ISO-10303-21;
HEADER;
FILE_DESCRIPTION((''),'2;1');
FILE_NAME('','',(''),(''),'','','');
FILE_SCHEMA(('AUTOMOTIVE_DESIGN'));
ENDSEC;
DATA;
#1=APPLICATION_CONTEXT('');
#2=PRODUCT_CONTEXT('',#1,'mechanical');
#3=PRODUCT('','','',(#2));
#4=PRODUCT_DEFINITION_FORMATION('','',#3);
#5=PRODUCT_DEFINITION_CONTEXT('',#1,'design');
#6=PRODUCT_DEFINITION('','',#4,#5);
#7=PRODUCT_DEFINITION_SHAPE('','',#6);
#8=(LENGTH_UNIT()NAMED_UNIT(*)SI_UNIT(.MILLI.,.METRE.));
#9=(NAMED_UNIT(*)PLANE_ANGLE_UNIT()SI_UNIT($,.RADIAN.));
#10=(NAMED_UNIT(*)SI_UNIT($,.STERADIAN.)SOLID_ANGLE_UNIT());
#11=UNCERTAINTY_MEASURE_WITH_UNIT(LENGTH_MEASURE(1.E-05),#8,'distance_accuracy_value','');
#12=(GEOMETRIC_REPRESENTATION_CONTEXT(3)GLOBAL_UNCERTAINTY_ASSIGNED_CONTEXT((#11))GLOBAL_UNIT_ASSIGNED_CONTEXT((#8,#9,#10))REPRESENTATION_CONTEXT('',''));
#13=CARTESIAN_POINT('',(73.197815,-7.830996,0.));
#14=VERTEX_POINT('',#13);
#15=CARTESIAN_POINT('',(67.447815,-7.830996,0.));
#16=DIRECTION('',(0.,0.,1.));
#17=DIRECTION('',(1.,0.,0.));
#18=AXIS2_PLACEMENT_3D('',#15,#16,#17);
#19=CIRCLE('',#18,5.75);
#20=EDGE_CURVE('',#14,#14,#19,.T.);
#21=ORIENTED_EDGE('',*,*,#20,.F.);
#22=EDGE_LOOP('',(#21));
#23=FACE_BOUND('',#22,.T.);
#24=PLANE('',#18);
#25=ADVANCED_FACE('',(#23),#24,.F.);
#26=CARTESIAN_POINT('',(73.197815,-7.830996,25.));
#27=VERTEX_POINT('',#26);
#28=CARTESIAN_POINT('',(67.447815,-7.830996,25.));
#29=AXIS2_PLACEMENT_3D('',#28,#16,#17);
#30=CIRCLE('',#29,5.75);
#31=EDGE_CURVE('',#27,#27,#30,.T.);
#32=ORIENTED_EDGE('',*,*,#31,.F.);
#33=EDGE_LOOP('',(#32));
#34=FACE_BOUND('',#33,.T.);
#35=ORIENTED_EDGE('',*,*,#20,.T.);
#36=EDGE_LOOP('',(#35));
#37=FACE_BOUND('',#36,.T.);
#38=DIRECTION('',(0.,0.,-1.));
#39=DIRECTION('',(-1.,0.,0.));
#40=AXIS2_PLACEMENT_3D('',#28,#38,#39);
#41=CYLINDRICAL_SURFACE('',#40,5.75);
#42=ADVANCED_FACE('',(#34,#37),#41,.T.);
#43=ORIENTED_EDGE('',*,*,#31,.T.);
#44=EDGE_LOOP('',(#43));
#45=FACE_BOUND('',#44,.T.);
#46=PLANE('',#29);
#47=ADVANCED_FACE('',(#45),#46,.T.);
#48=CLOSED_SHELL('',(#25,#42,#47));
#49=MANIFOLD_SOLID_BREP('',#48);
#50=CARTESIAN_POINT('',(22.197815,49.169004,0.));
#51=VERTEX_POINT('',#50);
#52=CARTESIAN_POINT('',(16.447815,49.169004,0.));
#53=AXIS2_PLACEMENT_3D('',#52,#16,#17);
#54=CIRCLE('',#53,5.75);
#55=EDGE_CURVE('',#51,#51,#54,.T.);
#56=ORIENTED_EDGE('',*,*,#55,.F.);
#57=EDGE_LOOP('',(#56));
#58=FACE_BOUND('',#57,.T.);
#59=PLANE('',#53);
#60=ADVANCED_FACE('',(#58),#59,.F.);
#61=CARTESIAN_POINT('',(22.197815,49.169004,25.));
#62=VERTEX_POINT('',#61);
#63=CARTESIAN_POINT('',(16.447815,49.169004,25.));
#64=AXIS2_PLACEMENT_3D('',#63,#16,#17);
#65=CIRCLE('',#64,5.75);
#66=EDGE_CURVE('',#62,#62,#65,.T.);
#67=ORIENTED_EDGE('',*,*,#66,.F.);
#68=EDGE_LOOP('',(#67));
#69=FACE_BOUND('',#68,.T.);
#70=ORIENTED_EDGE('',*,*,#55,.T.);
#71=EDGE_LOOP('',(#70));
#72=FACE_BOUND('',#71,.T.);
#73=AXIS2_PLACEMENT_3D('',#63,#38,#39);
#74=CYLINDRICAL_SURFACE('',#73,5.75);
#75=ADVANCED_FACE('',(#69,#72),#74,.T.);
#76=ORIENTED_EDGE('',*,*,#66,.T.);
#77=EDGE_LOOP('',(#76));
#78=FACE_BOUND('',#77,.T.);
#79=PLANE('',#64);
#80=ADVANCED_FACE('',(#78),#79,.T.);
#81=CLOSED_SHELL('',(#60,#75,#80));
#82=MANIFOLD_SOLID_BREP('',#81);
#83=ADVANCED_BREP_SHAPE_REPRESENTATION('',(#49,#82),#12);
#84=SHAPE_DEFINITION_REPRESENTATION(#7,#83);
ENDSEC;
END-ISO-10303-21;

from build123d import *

# Parameters (mm, degrees)
SKETCH_1_R        = 5.75
EXTRUDE_1_DEPTH   = 25
EXTRUDE_1_2_DEPTH = 25


with BuildPart() as part:
    # 草图1 → 凸台-拉伸1 (new body)
    with BuildSketch(Plane.XY):
        with Locations((16.447815059, 49.169003886)):
            Circle(SKETCH_1_R)
    extrude(amount=EXTRUDE_1_DEPTH)


with BuildPart() as body_2:
    # 草图1 → Extrude 1 2 (new body)
    with BuildSketch(Plane.XY):
        with Locations((67.447815059, -7.830996114)):
            Circle(SKETCH_1_R)
    extrude(amount=EXTRUDE_1_2_DEPTH)


solid = Compound([part.part, body_2.part])
